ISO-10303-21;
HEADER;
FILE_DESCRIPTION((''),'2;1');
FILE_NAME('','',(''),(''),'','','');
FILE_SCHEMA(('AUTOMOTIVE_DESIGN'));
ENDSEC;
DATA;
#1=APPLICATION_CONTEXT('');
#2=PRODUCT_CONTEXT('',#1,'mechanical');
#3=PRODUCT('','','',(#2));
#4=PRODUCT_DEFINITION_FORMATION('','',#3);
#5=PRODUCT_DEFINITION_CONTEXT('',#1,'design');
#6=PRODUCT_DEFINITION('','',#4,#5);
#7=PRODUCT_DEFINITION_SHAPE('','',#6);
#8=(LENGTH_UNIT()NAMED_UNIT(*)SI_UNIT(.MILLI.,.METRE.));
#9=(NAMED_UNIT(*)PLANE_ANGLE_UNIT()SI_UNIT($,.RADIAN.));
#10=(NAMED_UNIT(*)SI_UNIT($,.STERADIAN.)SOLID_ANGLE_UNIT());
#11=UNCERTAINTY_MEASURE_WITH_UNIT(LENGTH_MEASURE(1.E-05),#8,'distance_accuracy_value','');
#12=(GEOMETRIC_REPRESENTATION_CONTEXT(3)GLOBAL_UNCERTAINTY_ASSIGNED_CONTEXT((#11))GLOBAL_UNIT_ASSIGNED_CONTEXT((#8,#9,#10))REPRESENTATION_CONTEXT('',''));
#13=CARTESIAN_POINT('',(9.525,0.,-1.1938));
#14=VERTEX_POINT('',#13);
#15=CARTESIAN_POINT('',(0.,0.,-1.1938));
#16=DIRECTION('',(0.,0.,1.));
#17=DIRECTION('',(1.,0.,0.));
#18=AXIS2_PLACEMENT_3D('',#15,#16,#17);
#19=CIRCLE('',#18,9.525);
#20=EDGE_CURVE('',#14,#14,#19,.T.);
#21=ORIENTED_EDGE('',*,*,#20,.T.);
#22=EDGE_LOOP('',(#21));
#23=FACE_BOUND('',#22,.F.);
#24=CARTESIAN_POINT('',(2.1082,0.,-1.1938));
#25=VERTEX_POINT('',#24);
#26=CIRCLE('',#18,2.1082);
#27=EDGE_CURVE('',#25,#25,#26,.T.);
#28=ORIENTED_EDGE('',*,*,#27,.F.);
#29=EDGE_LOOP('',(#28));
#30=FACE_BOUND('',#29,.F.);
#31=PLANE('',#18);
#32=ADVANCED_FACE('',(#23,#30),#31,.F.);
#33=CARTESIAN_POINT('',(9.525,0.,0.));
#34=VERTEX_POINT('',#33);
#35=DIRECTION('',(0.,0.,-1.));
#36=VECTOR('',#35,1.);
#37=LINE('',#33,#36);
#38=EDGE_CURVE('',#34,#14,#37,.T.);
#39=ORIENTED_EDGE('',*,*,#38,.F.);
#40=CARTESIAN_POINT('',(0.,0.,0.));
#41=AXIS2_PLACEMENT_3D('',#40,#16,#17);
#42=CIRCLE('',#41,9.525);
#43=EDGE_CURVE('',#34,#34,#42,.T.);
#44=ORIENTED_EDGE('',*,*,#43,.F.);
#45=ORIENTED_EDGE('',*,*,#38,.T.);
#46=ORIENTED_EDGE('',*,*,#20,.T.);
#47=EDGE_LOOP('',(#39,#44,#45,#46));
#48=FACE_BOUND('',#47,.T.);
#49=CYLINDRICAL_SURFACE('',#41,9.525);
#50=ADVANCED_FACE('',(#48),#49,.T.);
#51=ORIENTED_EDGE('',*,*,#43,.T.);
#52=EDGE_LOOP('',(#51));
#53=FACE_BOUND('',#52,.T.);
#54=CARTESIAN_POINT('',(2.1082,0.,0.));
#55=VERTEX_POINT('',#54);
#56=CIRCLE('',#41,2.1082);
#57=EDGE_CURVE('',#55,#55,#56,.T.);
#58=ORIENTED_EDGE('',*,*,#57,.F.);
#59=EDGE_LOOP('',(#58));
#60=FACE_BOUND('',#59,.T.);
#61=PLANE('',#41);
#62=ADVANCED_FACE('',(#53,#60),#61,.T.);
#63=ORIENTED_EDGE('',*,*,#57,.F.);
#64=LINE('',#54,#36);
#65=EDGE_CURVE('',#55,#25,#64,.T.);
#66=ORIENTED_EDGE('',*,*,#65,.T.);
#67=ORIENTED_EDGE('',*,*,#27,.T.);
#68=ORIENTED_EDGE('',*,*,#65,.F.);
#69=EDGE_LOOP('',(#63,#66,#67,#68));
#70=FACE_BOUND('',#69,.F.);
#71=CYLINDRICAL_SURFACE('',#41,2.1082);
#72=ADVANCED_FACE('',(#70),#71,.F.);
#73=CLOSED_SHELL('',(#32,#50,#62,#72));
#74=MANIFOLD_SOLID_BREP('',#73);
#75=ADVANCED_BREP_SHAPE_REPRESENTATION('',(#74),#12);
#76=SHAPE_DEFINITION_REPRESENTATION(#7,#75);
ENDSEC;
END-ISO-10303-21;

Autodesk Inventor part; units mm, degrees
ref_plane "YZ Plane" through (0, 0, 0) normal (1, 0, 0) x (0, 1, 0)
ref_plane "XZ Plane" through (0, 0, 0) normal (0, 1, 0) x (-1, 0, 0)
ref_plane "XY Plane" through (0, 0, 0) normal (0, 0, 1) x (1, 0, 0)
sketch "Sketch1" plane through (0, 0, 0) normal (0, 0, 1) x (1, 0, 0)
  circle A0 centre (0, 0) radius 2.1082
  circle A1 centre (0, 0) radius 9.525
  dimension "d0" = 4.2164
  dimension "d1" = 19.05
extrude "Extrusion1" add sketch "Sketch1" against normal blind 1.1938
properties part number "#8 Fender Washer"
